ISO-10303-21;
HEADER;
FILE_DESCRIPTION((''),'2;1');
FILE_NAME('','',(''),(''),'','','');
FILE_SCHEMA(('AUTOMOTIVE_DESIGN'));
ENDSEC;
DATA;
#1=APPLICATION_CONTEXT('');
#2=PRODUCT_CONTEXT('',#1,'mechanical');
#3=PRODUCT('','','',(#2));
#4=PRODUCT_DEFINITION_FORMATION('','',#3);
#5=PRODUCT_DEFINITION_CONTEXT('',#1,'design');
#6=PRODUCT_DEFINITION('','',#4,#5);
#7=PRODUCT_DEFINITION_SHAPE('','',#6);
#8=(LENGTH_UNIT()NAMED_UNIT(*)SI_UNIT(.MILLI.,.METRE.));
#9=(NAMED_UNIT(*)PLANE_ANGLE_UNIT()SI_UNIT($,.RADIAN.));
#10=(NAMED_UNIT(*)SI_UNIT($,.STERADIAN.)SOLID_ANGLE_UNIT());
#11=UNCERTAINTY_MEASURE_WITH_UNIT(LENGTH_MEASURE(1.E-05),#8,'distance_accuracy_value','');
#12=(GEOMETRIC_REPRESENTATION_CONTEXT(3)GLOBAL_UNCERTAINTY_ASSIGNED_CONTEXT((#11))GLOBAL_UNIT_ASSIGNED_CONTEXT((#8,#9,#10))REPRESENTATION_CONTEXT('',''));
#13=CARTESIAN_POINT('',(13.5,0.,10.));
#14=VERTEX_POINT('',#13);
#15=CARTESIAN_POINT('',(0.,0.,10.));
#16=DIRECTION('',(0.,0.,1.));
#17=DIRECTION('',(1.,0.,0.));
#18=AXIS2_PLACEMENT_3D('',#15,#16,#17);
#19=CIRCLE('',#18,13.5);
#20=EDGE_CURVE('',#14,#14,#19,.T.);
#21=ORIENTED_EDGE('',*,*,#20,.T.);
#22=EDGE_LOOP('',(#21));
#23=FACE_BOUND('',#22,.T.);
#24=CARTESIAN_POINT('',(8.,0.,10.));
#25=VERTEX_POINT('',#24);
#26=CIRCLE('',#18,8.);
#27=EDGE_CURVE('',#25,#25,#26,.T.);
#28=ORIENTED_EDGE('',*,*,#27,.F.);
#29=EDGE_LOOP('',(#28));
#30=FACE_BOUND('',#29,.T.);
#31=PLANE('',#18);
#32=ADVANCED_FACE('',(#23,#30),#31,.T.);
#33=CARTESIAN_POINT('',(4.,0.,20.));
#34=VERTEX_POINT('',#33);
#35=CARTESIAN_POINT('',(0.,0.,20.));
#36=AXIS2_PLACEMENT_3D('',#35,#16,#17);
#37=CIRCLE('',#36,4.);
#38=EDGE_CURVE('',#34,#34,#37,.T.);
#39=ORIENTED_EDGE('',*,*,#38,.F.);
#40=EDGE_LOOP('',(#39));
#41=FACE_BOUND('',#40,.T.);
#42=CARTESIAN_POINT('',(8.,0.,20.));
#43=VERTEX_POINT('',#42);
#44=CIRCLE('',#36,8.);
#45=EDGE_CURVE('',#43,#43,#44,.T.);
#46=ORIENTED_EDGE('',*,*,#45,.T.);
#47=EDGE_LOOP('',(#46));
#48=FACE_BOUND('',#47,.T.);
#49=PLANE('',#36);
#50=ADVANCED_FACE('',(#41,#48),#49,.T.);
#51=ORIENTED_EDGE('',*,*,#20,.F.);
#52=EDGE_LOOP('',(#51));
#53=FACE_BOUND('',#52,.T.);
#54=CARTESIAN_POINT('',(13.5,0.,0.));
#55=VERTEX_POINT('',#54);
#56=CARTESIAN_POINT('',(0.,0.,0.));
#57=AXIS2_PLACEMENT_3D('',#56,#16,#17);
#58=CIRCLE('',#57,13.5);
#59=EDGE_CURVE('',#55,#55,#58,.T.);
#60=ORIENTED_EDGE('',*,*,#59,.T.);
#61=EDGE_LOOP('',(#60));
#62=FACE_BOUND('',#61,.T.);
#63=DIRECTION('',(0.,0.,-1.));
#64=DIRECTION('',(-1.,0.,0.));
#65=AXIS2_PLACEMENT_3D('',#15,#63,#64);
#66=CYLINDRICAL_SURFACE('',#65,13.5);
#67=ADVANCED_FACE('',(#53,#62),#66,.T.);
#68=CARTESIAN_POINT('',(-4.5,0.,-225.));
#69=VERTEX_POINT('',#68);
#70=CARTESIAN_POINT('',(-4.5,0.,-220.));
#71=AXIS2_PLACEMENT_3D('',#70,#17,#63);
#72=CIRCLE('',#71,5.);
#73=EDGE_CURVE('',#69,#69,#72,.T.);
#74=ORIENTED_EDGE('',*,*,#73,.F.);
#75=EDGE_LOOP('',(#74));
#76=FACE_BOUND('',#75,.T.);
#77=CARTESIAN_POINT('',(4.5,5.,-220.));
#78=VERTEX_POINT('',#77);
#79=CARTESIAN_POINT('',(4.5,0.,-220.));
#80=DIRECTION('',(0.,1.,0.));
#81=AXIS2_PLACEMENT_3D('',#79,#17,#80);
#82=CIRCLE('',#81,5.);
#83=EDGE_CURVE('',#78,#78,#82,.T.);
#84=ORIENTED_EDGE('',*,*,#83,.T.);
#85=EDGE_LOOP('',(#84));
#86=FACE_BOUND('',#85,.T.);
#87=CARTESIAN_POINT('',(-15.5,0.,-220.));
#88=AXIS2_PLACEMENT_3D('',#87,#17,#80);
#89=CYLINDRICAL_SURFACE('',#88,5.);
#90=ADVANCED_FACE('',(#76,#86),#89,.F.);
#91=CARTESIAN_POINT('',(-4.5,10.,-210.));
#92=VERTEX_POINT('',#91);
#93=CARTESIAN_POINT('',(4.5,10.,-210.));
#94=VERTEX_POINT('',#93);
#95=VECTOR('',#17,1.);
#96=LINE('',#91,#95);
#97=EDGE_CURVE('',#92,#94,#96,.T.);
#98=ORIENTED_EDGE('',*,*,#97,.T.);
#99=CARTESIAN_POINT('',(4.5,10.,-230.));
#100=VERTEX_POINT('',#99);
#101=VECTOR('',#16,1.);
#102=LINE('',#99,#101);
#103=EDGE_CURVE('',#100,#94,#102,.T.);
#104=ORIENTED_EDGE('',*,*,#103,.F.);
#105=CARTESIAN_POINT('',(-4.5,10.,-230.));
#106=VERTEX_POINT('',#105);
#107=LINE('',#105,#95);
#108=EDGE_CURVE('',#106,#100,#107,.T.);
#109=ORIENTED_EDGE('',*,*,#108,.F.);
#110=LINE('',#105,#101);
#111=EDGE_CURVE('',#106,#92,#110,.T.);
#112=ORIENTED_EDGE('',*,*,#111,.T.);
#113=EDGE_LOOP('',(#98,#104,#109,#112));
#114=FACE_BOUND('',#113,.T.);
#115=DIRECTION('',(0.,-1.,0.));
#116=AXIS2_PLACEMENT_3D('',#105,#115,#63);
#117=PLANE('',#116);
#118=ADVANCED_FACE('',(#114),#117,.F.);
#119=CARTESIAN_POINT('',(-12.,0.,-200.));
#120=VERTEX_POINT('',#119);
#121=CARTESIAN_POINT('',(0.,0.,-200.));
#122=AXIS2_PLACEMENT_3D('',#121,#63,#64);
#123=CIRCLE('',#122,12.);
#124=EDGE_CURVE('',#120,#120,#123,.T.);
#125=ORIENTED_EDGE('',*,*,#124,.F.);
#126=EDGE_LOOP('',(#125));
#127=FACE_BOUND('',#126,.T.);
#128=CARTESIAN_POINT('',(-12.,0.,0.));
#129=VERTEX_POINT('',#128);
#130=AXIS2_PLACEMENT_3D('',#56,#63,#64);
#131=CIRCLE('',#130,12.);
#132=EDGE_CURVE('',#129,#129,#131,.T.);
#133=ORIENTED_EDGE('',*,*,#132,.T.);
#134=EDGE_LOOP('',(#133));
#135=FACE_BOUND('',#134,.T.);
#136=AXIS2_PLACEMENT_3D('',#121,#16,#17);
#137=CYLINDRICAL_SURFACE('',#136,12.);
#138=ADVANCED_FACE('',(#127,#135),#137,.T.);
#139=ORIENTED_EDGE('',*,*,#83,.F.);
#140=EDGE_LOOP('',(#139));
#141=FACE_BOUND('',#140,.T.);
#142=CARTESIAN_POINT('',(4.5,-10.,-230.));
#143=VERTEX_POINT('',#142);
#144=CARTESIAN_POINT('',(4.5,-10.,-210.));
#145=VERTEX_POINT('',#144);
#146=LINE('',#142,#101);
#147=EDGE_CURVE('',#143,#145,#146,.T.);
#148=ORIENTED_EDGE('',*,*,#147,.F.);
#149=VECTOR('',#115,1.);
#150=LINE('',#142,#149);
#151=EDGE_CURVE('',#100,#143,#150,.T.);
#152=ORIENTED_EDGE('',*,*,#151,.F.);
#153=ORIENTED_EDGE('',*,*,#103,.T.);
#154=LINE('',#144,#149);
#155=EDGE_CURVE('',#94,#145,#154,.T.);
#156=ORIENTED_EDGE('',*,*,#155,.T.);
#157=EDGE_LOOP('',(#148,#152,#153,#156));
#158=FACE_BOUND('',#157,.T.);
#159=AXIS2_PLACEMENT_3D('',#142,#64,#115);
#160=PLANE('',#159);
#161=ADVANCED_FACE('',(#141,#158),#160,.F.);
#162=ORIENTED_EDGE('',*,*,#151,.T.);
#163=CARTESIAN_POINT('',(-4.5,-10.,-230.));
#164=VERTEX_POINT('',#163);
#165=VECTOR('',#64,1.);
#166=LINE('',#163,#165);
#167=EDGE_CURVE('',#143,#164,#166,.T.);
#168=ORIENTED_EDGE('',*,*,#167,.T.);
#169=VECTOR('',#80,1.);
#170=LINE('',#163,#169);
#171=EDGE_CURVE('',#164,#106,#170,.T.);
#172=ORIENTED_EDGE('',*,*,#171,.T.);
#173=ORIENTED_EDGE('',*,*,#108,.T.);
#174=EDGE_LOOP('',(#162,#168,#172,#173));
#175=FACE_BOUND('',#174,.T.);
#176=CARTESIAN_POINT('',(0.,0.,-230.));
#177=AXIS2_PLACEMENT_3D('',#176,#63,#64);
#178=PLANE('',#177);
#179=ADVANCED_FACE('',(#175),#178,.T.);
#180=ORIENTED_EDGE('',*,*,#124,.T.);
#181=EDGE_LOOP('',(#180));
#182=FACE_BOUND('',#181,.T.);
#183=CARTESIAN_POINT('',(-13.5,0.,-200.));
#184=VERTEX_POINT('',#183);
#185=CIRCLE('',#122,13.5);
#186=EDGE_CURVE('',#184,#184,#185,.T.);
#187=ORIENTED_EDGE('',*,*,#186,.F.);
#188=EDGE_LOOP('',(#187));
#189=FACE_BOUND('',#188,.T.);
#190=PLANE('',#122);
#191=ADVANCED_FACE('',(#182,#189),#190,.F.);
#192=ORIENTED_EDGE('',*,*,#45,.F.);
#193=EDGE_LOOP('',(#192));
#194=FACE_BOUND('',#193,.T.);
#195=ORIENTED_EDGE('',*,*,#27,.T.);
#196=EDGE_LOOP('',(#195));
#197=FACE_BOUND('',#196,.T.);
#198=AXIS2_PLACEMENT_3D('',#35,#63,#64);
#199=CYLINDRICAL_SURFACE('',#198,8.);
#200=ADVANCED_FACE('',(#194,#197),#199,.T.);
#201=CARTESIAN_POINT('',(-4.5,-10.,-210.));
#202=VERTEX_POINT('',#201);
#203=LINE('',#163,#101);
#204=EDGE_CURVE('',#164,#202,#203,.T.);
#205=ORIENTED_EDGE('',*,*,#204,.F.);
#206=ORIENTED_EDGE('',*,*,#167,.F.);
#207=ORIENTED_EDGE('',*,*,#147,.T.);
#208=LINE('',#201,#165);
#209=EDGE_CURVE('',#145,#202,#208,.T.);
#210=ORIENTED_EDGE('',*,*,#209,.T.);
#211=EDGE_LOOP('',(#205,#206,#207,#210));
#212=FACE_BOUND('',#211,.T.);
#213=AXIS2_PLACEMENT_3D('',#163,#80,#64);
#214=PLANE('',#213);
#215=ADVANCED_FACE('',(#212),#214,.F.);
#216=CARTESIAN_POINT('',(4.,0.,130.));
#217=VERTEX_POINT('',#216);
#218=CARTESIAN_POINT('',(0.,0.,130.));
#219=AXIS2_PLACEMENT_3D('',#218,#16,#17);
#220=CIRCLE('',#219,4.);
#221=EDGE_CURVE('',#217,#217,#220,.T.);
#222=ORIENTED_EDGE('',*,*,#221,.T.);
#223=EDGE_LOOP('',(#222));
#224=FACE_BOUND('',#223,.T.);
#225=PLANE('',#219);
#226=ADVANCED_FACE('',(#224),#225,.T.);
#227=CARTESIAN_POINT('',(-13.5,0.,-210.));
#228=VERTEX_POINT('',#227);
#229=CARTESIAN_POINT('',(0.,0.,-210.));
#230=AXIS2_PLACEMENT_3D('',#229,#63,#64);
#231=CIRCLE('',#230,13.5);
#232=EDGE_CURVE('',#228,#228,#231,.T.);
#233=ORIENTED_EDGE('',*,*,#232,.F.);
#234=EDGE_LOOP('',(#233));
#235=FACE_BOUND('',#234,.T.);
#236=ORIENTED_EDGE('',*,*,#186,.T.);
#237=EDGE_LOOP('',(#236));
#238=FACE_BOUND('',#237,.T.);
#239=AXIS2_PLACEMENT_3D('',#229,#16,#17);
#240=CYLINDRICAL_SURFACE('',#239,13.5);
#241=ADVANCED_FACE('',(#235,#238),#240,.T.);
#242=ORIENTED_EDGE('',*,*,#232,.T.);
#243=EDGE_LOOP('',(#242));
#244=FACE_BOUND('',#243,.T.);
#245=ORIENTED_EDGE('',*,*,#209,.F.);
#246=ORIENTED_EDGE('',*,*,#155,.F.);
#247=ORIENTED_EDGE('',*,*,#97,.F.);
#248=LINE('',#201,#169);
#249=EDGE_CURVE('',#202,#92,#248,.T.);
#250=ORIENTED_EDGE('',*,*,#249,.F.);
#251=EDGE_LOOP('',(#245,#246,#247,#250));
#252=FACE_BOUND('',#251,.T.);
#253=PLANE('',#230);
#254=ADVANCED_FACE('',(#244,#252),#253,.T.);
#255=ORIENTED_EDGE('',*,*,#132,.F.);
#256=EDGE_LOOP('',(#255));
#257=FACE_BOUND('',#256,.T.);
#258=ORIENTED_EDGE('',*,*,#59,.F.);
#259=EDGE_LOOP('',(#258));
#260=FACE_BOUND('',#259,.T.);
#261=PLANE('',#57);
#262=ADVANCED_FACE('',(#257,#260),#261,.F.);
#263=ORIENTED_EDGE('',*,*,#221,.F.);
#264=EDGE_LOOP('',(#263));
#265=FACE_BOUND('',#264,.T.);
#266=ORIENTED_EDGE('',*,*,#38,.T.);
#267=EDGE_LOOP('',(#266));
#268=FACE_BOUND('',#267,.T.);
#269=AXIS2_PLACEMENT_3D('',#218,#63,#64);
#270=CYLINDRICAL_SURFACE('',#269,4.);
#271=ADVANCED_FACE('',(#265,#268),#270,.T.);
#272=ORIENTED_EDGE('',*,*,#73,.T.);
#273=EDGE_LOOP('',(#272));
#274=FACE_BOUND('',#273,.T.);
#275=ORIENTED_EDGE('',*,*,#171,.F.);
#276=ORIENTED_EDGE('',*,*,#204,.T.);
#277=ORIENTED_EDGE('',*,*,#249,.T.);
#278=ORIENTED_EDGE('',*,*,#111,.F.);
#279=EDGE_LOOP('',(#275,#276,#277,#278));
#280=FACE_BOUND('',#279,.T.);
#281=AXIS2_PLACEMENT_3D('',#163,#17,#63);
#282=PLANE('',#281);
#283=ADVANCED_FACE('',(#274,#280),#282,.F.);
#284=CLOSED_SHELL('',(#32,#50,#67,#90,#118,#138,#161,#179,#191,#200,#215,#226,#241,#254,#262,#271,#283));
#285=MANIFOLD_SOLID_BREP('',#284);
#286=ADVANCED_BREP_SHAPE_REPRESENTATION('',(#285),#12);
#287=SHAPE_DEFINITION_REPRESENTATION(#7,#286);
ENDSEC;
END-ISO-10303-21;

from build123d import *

# Parameters (mm, degrees)
SKETCH1_R           = 13.5
BOSS_EXTRUDE1_DEPTH = 10
SKETCH2_R           = 8
BOSS_EXTRUDE2_DEPTH = 10
SKETCH3_R           = 12
BOSS_EXTRUDE3_DEPTH = 200
BOSS_EXTRUDE4_START = 10
SKETCH4_R           = 13.5
BOSS_EXTRUDE4_DEPTH = 10
SKETCH5_W           = 9
SKETCH5_H           = 20
BOSS_EXTRUDE5_DEPTH = 20
SKETCH6_R           = 5
CUT_EXTRUDE1_DEPTH  = 20
SKETCH8_R           = 4
BOSS_EXTRUDE6_DEPTH = 110


with BuildPart() as part:
    # Sketch1 → Boss-Extrude1 (new body)
    with BuildSketch(Plane.XY):
        Circle(SKETCH1_R)
    extrude(amount=BOSS_EXTRUDE1_DEPTH)

    # Sketch2 → Boss-Extrude2 (add)
    with BuildSketch(Plane.XY.offset(10)):
        Circle(SKETCH2_R)
    extrude(amount=BOSS_EXTRUDE2_DEPTH)

    # Sketch3 → Boss-Extrude3 (add)
    with BuildSketch(Plane(origin=(0, 0, 0), x_dir=(-1, 0, 0), z_dir=(0, 0, -1))):
        Circle(SKETCH3_R)
    extrude(amount=BOSS_EXTRUDE3_DEPTH)

    # Sketch4 → Boss-Extrude4 (add)
    with BuildSketch(Plane(origin=(0, 0, -200), x_dir=(-1, 0, 0), z_dir=(0, 0, -1)).offset(BOSS_EXTRUDE4_START)):
        with Locations(Location((0, 0, 0), (0, 0, 180))):
            Circle(SKETCH4_R)
    extrude(amount=-BOSS_EXTRUDE4_DEPTH)

    # Sketch5 → Boss-Extrude5 (add)
    with BuildSketch(Plane(origin=(0, 0, -210), x_dir=(-1, 0, 0), z_dir=(0, 0, -1))):
        Rectangle(SKETCH5_W, SKETCH5_H)
    extrude(amount=BOSS_EXTRUDE5_DEPTH)

    # Sketch6 → Cut-Extrude1 (cut)
    with BuildSketch(Plane(origin=(4.5, 0, 0), x_dir=(0, 0, -1), z_dir=(1, 0, 0))):
        with Locations(Location((220, 0, 0), (0, 0, 90))):
            Circle(SKETCH6_R)
    extrude(amount=-CUT_EXTRUDE1_DEPTH, mode=Mode.SUBTRACT)

    # Sketch8 → Boss-Extrude6 (add)
    with BuildSketch(Plane.XY.offset(20)):
        Circle(SKETCH8_R)
    extrude(amount=BOSS_EXTRUDE6_DEPTH)


solid = part.part
